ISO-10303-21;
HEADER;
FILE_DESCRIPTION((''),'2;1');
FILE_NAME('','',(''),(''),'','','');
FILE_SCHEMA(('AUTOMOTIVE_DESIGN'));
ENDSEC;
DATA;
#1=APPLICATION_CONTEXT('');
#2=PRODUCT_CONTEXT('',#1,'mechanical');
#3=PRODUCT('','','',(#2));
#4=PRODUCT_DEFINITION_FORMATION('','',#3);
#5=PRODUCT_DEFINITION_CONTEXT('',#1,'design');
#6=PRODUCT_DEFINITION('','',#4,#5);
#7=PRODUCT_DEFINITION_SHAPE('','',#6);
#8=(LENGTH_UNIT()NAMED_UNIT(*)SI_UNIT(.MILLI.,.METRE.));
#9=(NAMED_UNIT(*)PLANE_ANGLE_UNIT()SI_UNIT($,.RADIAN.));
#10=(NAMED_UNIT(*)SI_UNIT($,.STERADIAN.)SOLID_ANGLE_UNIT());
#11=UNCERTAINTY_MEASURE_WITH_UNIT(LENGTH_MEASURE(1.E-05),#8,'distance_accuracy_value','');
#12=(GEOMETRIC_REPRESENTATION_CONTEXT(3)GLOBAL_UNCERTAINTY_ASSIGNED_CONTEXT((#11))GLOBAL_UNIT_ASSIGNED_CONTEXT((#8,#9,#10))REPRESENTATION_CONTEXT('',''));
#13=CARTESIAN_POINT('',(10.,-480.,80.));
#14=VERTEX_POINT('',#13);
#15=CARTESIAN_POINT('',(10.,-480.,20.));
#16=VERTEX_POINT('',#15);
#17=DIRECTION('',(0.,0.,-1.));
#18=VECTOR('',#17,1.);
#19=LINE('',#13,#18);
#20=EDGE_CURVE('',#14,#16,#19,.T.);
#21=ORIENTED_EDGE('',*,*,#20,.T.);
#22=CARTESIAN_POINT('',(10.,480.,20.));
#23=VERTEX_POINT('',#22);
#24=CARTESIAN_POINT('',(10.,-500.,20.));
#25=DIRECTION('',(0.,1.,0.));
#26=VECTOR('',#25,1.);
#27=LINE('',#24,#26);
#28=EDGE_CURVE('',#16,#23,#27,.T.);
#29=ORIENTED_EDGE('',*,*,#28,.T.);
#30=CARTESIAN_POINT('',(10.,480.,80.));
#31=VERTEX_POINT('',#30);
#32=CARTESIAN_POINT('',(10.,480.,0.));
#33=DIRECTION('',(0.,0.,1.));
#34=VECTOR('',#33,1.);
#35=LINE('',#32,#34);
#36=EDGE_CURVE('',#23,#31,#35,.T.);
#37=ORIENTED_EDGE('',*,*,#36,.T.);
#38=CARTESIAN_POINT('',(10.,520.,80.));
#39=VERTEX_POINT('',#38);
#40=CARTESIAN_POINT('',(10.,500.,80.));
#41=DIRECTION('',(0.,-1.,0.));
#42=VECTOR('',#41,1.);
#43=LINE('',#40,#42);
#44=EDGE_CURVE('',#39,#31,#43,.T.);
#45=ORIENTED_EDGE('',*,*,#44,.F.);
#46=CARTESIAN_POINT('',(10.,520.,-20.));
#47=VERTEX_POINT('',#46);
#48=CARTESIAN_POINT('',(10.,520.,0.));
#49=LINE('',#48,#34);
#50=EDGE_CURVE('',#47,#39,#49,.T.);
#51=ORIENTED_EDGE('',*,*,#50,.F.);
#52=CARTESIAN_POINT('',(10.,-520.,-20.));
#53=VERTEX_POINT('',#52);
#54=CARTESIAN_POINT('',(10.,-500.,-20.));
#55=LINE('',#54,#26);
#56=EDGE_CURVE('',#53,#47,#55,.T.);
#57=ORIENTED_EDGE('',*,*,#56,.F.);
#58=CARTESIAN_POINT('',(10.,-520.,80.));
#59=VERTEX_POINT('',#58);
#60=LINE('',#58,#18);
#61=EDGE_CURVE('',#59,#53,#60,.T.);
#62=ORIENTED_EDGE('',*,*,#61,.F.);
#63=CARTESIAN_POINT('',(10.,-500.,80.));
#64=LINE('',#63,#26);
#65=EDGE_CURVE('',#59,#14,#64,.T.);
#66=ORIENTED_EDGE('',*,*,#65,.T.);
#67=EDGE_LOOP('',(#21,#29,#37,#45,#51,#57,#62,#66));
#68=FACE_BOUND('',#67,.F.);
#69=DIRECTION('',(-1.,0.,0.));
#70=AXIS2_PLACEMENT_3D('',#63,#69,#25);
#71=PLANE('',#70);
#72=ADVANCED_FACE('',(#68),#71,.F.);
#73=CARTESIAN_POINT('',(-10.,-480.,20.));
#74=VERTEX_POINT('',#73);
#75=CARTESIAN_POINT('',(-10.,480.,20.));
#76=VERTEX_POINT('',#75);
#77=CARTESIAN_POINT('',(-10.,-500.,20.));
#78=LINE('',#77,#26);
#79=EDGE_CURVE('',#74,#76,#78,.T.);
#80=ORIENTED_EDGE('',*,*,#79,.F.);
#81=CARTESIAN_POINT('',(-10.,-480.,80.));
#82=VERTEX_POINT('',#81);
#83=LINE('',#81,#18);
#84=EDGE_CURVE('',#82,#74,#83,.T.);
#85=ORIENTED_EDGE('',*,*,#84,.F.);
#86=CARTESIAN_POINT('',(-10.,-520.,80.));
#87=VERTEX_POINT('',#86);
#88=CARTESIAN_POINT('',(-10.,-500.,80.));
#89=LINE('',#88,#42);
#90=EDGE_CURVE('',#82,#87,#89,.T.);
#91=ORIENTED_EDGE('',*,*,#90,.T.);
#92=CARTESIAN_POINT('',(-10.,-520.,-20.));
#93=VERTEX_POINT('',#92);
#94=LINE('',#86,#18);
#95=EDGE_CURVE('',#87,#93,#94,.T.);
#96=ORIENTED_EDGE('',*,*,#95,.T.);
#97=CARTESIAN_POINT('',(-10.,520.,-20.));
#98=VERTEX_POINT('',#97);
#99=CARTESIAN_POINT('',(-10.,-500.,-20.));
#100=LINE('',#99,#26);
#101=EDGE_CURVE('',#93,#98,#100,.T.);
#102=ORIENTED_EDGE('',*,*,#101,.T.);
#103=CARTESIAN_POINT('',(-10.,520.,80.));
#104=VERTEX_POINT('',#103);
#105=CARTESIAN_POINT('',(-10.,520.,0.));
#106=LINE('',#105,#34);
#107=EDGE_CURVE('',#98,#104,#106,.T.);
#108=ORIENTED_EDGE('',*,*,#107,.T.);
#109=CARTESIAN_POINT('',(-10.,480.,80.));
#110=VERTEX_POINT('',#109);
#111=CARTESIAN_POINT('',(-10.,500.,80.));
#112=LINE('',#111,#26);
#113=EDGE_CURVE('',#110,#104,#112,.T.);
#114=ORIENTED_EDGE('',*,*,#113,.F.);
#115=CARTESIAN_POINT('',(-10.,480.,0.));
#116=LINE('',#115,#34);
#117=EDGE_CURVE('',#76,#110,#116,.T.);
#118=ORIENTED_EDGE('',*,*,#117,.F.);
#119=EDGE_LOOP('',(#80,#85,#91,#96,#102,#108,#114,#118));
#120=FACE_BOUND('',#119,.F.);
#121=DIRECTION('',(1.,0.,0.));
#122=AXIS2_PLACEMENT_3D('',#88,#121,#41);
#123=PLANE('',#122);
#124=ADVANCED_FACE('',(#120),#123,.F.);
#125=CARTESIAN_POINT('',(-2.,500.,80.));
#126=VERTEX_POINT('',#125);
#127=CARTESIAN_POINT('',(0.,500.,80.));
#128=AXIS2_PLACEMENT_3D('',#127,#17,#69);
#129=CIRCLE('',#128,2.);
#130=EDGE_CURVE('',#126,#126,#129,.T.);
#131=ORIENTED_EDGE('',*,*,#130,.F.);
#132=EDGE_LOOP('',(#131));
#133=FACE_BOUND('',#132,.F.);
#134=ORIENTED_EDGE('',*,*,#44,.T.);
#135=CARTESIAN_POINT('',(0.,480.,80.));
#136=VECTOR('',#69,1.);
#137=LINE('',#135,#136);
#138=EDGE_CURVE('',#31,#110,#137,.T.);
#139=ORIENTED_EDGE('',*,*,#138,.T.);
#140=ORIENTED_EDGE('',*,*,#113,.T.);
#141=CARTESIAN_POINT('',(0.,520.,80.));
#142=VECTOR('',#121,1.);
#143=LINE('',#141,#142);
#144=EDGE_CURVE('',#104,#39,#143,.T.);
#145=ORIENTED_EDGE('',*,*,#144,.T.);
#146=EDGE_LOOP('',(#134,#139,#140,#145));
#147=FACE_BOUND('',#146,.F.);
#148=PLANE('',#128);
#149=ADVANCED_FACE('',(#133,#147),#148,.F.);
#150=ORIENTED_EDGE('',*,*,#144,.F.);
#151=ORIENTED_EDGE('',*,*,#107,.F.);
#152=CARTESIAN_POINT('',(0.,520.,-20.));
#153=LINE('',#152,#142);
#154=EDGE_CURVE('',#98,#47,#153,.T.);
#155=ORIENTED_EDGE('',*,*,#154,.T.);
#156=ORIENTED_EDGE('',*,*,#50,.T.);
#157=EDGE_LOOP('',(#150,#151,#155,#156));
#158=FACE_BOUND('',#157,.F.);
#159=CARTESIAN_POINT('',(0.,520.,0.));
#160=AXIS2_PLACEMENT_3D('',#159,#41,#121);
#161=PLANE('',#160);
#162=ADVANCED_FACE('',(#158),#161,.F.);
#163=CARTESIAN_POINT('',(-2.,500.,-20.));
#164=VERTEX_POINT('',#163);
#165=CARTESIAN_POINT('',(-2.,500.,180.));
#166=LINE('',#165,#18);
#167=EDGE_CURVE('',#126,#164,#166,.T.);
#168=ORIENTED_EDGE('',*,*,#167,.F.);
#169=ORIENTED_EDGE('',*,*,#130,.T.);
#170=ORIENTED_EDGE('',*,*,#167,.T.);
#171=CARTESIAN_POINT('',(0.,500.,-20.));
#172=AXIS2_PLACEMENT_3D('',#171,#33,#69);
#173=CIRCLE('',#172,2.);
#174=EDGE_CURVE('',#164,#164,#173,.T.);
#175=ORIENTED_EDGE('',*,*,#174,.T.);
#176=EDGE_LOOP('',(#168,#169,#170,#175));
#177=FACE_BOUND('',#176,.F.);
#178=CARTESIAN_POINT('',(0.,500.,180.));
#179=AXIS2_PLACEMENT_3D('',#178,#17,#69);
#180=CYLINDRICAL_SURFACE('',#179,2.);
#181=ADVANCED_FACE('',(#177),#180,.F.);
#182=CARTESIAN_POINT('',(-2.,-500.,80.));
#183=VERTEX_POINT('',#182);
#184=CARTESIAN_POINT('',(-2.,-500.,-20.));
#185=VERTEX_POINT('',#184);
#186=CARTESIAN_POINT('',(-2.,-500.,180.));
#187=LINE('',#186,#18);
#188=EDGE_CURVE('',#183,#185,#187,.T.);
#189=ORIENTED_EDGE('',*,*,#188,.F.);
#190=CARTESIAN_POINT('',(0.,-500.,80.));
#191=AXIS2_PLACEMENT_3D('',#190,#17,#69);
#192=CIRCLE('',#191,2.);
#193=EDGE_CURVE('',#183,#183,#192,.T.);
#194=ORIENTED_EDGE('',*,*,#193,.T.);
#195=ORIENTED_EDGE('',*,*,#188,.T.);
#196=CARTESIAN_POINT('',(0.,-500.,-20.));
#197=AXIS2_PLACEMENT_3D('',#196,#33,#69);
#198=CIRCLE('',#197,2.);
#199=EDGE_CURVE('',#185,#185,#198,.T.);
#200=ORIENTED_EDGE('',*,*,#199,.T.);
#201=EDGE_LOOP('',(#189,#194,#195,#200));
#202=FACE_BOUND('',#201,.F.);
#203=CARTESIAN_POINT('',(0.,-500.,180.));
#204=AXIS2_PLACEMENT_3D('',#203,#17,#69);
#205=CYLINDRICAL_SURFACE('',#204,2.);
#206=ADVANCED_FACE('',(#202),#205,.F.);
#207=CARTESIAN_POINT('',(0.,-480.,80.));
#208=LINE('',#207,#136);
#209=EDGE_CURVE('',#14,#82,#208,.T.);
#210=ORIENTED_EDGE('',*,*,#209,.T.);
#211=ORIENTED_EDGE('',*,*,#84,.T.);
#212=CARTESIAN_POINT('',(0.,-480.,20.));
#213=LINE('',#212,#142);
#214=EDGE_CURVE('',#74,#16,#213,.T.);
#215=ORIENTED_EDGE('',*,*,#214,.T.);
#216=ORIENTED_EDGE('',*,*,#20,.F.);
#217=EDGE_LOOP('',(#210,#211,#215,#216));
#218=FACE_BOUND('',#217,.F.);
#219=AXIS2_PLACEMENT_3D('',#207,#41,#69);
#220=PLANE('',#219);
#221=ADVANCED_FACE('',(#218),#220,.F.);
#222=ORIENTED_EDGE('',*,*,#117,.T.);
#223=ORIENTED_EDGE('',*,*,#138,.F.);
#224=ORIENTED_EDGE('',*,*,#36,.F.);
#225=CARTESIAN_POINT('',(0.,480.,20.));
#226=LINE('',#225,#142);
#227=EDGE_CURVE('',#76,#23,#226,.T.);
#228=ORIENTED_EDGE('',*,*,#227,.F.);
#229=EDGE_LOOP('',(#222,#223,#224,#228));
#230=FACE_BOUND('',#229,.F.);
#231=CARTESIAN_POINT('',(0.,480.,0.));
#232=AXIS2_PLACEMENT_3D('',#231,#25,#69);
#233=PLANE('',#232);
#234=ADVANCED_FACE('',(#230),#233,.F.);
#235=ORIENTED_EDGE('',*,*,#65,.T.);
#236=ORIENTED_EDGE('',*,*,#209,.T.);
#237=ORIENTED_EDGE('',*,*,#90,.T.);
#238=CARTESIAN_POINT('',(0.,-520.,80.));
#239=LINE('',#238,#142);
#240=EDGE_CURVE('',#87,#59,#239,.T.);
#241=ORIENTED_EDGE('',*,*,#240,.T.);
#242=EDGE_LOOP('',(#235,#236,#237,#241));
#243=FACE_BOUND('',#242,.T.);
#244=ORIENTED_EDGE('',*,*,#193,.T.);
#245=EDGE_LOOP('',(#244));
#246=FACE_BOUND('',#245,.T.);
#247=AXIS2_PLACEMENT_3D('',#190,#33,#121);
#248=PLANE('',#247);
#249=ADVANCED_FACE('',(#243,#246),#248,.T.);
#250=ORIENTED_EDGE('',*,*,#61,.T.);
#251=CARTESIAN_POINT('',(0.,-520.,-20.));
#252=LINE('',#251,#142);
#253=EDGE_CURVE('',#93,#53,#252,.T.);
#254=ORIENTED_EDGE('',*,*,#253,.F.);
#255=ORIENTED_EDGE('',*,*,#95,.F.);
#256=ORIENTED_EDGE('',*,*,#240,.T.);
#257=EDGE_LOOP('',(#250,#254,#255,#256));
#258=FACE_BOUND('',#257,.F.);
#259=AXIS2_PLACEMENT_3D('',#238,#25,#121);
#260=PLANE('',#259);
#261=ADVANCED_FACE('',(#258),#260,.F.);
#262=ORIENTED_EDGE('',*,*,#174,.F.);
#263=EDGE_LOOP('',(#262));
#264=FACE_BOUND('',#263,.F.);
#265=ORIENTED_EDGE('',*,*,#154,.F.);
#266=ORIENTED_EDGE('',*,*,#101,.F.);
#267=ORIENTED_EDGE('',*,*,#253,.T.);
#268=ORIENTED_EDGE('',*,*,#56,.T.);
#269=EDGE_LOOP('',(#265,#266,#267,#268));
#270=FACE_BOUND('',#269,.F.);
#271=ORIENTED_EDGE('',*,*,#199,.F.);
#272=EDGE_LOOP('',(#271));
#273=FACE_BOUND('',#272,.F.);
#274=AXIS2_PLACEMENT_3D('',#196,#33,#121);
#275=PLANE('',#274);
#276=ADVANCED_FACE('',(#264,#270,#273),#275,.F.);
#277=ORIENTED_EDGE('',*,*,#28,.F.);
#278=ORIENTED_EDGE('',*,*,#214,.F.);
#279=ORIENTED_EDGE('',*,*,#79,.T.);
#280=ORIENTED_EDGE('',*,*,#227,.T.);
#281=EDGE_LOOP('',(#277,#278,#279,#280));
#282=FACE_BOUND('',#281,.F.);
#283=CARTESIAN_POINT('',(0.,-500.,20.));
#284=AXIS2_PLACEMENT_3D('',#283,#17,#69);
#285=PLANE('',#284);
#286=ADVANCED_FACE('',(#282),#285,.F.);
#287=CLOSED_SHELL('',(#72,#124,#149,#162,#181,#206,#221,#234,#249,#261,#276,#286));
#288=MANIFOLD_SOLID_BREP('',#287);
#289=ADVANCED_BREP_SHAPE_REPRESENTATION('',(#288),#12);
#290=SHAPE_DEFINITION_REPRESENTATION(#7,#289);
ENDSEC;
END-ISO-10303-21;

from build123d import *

# Parameters (mm, degrees)
F2_W           = 20
F2_H           = 40
F6_D           = 4
F6_DEPTH       = 100
F6_TIP         = 1.2017212381
F6_ON_F5_D     = 4
F6_ON_F5_DEPTH = 100
F6_ON_F5_TIP   = 1.2017212381


with BuildPart() as f3:
    # F3: sweep along a path in F0
    with BuildLine(Plane.YZ) as f3_path:
        Line((-500, 80), (-500, 0))
        Line((-500, 0), (500, 0))
        Line((500, 0), (500, 80))
    # F2 (on plane+point) → F3 (sweep)
    with BuildSketch(Plane.XY.offset(80)):
        with Locations((0, -500)):
            Rectangle(F2_W, F2_H)
    sweep(path=f3_path.line, transition=Transition.RIGHT)

    # F6
    with Locations(Plane.XY.offset(80)):
        with Locations((0, -500)):
            Hole(F6_D / 2, depth=F6_DEPTH)
            with Locations((0, 0, -(F6_DEPTH + F6_TIP / 2))):  # 118° drill point
                Cone(0, F6_D / 2, F6_TIP, mode=Mode.SUBTRACT)

    # F6 on F5
    with Locations(Plane.XY.offset(80)):
        with Locations((0, 500)):
            Hole(F6_ON_F5_D / 2, depth=F6_ON_F5_DEPTH)
            with Locations((0, 0, -(F6_ON_F5_DEPTH + F6_ON_F5_TIP / 2))):  # 118° drill point
                Cone(0, F6_ON_F5_D / 2, F6_ON_F5_TIP, mode=Mode.SUBTRACT)


solid = f3.part
